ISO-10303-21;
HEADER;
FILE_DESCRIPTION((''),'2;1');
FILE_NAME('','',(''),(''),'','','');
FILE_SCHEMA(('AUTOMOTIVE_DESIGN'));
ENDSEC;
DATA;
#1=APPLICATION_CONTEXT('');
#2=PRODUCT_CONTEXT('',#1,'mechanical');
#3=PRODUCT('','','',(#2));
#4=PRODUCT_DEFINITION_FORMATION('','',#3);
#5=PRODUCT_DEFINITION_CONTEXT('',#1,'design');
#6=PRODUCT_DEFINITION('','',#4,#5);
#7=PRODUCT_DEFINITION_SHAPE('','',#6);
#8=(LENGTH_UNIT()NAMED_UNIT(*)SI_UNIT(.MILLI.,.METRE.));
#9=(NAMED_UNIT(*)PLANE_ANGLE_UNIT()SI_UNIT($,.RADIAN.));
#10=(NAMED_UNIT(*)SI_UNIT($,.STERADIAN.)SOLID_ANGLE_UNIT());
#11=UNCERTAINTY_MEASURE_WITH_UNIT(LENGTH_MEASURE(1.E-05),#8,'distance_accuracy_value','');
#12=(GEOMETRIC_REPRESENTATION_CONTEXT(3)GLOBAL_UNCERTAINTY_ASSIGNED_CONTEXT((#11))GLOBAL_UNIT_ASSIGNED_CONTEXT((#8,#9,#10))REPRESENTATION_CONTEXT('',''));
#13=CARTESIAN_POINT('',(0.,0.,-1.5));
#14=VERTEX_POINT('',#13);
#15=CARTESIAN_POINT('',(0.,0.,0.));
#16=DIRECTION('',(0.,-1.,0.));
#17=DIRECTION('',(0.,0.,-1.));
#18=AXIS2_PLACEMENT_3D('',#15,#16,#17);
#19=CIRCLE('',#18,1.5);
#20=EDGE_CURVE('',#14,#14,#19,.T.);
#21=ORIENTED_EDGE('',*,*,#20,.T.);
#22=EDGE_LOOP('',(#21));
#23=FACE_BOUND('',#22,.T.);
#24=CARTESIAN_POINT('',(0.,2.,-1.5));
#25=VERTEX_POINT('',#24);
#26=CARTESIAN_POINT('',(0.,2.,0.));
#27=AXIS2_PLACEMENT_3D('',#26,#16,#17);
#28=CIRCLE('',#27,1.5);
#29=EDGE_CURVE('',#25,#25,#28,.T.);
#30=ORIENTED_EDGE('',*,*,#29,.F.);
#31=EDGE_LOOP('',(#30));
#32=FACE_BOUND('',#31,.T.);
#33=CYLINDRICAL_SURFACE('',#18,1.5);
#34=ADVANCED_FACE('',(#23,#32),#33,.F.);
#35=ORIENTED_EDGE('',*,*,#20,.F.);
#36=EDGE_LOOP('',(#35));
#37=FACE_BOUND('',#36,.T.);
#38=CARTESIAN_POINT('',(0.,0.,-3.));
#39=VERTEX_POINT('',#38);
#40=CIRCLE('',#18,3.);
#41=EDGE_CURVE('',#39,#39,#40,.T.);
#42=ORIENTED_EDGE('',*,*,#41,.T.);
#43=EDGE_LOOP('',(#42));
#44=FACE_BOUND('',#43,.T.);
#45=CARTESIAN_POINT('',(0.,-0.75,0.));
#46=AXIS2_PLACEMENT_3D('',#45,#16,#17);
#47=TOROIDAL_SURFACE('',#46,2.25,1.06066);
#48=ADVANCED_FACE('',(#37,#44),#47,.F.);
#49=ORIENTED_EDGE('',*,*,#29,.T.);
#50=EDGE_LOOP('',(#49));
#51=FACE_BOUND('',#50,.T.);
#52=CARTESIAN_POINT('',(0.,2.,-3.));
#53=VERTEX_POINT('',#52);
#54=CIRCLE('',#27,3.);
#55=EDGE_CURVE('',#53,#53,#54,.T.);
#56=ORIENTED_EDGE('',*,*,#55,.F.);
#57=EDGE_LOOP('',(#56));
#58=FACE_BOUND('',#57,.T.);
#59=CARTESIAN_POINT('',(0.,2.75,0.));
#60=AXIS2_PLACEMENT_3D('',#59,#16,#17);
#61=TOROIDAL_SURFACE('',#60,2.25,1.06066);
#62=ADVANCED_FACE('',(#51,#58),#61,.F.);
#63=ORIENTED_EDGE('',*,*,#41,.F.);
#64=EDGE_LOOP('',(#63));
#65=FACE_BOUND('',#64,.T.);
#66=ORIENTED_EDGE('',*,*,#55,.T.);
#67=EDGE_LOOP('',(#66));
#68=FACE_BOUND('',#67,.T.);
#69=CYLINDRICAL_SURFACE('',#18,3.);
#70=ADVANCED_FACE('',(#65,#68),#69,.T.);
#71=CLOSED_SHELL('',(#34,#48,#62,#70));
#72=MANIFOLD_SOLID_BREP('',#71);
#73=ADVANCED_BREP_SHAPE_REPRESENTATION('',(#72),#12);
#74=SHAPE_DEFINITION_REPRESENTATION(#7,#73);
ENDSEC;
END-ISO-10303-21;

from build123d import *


with BuildPart() as part:
    # Sketch2 → Revolve1 (revolve)
    with BuildSketch(Plane.XY):
        with BuildLine():
            Line((1.5, 0), (1.5, 2))
            ThreePointArc((1.5, 2), (2.25, 1.689339828), (3, 2))
            Line((3, 2), (3, 0))
            ThreePointArc((3, 0), (2.25, 0.310660172), (1.5, 0))
        make_face()
    revolve(axis=Axis((0, 0, 0), (0, 1, 0)))


solid = part.part
